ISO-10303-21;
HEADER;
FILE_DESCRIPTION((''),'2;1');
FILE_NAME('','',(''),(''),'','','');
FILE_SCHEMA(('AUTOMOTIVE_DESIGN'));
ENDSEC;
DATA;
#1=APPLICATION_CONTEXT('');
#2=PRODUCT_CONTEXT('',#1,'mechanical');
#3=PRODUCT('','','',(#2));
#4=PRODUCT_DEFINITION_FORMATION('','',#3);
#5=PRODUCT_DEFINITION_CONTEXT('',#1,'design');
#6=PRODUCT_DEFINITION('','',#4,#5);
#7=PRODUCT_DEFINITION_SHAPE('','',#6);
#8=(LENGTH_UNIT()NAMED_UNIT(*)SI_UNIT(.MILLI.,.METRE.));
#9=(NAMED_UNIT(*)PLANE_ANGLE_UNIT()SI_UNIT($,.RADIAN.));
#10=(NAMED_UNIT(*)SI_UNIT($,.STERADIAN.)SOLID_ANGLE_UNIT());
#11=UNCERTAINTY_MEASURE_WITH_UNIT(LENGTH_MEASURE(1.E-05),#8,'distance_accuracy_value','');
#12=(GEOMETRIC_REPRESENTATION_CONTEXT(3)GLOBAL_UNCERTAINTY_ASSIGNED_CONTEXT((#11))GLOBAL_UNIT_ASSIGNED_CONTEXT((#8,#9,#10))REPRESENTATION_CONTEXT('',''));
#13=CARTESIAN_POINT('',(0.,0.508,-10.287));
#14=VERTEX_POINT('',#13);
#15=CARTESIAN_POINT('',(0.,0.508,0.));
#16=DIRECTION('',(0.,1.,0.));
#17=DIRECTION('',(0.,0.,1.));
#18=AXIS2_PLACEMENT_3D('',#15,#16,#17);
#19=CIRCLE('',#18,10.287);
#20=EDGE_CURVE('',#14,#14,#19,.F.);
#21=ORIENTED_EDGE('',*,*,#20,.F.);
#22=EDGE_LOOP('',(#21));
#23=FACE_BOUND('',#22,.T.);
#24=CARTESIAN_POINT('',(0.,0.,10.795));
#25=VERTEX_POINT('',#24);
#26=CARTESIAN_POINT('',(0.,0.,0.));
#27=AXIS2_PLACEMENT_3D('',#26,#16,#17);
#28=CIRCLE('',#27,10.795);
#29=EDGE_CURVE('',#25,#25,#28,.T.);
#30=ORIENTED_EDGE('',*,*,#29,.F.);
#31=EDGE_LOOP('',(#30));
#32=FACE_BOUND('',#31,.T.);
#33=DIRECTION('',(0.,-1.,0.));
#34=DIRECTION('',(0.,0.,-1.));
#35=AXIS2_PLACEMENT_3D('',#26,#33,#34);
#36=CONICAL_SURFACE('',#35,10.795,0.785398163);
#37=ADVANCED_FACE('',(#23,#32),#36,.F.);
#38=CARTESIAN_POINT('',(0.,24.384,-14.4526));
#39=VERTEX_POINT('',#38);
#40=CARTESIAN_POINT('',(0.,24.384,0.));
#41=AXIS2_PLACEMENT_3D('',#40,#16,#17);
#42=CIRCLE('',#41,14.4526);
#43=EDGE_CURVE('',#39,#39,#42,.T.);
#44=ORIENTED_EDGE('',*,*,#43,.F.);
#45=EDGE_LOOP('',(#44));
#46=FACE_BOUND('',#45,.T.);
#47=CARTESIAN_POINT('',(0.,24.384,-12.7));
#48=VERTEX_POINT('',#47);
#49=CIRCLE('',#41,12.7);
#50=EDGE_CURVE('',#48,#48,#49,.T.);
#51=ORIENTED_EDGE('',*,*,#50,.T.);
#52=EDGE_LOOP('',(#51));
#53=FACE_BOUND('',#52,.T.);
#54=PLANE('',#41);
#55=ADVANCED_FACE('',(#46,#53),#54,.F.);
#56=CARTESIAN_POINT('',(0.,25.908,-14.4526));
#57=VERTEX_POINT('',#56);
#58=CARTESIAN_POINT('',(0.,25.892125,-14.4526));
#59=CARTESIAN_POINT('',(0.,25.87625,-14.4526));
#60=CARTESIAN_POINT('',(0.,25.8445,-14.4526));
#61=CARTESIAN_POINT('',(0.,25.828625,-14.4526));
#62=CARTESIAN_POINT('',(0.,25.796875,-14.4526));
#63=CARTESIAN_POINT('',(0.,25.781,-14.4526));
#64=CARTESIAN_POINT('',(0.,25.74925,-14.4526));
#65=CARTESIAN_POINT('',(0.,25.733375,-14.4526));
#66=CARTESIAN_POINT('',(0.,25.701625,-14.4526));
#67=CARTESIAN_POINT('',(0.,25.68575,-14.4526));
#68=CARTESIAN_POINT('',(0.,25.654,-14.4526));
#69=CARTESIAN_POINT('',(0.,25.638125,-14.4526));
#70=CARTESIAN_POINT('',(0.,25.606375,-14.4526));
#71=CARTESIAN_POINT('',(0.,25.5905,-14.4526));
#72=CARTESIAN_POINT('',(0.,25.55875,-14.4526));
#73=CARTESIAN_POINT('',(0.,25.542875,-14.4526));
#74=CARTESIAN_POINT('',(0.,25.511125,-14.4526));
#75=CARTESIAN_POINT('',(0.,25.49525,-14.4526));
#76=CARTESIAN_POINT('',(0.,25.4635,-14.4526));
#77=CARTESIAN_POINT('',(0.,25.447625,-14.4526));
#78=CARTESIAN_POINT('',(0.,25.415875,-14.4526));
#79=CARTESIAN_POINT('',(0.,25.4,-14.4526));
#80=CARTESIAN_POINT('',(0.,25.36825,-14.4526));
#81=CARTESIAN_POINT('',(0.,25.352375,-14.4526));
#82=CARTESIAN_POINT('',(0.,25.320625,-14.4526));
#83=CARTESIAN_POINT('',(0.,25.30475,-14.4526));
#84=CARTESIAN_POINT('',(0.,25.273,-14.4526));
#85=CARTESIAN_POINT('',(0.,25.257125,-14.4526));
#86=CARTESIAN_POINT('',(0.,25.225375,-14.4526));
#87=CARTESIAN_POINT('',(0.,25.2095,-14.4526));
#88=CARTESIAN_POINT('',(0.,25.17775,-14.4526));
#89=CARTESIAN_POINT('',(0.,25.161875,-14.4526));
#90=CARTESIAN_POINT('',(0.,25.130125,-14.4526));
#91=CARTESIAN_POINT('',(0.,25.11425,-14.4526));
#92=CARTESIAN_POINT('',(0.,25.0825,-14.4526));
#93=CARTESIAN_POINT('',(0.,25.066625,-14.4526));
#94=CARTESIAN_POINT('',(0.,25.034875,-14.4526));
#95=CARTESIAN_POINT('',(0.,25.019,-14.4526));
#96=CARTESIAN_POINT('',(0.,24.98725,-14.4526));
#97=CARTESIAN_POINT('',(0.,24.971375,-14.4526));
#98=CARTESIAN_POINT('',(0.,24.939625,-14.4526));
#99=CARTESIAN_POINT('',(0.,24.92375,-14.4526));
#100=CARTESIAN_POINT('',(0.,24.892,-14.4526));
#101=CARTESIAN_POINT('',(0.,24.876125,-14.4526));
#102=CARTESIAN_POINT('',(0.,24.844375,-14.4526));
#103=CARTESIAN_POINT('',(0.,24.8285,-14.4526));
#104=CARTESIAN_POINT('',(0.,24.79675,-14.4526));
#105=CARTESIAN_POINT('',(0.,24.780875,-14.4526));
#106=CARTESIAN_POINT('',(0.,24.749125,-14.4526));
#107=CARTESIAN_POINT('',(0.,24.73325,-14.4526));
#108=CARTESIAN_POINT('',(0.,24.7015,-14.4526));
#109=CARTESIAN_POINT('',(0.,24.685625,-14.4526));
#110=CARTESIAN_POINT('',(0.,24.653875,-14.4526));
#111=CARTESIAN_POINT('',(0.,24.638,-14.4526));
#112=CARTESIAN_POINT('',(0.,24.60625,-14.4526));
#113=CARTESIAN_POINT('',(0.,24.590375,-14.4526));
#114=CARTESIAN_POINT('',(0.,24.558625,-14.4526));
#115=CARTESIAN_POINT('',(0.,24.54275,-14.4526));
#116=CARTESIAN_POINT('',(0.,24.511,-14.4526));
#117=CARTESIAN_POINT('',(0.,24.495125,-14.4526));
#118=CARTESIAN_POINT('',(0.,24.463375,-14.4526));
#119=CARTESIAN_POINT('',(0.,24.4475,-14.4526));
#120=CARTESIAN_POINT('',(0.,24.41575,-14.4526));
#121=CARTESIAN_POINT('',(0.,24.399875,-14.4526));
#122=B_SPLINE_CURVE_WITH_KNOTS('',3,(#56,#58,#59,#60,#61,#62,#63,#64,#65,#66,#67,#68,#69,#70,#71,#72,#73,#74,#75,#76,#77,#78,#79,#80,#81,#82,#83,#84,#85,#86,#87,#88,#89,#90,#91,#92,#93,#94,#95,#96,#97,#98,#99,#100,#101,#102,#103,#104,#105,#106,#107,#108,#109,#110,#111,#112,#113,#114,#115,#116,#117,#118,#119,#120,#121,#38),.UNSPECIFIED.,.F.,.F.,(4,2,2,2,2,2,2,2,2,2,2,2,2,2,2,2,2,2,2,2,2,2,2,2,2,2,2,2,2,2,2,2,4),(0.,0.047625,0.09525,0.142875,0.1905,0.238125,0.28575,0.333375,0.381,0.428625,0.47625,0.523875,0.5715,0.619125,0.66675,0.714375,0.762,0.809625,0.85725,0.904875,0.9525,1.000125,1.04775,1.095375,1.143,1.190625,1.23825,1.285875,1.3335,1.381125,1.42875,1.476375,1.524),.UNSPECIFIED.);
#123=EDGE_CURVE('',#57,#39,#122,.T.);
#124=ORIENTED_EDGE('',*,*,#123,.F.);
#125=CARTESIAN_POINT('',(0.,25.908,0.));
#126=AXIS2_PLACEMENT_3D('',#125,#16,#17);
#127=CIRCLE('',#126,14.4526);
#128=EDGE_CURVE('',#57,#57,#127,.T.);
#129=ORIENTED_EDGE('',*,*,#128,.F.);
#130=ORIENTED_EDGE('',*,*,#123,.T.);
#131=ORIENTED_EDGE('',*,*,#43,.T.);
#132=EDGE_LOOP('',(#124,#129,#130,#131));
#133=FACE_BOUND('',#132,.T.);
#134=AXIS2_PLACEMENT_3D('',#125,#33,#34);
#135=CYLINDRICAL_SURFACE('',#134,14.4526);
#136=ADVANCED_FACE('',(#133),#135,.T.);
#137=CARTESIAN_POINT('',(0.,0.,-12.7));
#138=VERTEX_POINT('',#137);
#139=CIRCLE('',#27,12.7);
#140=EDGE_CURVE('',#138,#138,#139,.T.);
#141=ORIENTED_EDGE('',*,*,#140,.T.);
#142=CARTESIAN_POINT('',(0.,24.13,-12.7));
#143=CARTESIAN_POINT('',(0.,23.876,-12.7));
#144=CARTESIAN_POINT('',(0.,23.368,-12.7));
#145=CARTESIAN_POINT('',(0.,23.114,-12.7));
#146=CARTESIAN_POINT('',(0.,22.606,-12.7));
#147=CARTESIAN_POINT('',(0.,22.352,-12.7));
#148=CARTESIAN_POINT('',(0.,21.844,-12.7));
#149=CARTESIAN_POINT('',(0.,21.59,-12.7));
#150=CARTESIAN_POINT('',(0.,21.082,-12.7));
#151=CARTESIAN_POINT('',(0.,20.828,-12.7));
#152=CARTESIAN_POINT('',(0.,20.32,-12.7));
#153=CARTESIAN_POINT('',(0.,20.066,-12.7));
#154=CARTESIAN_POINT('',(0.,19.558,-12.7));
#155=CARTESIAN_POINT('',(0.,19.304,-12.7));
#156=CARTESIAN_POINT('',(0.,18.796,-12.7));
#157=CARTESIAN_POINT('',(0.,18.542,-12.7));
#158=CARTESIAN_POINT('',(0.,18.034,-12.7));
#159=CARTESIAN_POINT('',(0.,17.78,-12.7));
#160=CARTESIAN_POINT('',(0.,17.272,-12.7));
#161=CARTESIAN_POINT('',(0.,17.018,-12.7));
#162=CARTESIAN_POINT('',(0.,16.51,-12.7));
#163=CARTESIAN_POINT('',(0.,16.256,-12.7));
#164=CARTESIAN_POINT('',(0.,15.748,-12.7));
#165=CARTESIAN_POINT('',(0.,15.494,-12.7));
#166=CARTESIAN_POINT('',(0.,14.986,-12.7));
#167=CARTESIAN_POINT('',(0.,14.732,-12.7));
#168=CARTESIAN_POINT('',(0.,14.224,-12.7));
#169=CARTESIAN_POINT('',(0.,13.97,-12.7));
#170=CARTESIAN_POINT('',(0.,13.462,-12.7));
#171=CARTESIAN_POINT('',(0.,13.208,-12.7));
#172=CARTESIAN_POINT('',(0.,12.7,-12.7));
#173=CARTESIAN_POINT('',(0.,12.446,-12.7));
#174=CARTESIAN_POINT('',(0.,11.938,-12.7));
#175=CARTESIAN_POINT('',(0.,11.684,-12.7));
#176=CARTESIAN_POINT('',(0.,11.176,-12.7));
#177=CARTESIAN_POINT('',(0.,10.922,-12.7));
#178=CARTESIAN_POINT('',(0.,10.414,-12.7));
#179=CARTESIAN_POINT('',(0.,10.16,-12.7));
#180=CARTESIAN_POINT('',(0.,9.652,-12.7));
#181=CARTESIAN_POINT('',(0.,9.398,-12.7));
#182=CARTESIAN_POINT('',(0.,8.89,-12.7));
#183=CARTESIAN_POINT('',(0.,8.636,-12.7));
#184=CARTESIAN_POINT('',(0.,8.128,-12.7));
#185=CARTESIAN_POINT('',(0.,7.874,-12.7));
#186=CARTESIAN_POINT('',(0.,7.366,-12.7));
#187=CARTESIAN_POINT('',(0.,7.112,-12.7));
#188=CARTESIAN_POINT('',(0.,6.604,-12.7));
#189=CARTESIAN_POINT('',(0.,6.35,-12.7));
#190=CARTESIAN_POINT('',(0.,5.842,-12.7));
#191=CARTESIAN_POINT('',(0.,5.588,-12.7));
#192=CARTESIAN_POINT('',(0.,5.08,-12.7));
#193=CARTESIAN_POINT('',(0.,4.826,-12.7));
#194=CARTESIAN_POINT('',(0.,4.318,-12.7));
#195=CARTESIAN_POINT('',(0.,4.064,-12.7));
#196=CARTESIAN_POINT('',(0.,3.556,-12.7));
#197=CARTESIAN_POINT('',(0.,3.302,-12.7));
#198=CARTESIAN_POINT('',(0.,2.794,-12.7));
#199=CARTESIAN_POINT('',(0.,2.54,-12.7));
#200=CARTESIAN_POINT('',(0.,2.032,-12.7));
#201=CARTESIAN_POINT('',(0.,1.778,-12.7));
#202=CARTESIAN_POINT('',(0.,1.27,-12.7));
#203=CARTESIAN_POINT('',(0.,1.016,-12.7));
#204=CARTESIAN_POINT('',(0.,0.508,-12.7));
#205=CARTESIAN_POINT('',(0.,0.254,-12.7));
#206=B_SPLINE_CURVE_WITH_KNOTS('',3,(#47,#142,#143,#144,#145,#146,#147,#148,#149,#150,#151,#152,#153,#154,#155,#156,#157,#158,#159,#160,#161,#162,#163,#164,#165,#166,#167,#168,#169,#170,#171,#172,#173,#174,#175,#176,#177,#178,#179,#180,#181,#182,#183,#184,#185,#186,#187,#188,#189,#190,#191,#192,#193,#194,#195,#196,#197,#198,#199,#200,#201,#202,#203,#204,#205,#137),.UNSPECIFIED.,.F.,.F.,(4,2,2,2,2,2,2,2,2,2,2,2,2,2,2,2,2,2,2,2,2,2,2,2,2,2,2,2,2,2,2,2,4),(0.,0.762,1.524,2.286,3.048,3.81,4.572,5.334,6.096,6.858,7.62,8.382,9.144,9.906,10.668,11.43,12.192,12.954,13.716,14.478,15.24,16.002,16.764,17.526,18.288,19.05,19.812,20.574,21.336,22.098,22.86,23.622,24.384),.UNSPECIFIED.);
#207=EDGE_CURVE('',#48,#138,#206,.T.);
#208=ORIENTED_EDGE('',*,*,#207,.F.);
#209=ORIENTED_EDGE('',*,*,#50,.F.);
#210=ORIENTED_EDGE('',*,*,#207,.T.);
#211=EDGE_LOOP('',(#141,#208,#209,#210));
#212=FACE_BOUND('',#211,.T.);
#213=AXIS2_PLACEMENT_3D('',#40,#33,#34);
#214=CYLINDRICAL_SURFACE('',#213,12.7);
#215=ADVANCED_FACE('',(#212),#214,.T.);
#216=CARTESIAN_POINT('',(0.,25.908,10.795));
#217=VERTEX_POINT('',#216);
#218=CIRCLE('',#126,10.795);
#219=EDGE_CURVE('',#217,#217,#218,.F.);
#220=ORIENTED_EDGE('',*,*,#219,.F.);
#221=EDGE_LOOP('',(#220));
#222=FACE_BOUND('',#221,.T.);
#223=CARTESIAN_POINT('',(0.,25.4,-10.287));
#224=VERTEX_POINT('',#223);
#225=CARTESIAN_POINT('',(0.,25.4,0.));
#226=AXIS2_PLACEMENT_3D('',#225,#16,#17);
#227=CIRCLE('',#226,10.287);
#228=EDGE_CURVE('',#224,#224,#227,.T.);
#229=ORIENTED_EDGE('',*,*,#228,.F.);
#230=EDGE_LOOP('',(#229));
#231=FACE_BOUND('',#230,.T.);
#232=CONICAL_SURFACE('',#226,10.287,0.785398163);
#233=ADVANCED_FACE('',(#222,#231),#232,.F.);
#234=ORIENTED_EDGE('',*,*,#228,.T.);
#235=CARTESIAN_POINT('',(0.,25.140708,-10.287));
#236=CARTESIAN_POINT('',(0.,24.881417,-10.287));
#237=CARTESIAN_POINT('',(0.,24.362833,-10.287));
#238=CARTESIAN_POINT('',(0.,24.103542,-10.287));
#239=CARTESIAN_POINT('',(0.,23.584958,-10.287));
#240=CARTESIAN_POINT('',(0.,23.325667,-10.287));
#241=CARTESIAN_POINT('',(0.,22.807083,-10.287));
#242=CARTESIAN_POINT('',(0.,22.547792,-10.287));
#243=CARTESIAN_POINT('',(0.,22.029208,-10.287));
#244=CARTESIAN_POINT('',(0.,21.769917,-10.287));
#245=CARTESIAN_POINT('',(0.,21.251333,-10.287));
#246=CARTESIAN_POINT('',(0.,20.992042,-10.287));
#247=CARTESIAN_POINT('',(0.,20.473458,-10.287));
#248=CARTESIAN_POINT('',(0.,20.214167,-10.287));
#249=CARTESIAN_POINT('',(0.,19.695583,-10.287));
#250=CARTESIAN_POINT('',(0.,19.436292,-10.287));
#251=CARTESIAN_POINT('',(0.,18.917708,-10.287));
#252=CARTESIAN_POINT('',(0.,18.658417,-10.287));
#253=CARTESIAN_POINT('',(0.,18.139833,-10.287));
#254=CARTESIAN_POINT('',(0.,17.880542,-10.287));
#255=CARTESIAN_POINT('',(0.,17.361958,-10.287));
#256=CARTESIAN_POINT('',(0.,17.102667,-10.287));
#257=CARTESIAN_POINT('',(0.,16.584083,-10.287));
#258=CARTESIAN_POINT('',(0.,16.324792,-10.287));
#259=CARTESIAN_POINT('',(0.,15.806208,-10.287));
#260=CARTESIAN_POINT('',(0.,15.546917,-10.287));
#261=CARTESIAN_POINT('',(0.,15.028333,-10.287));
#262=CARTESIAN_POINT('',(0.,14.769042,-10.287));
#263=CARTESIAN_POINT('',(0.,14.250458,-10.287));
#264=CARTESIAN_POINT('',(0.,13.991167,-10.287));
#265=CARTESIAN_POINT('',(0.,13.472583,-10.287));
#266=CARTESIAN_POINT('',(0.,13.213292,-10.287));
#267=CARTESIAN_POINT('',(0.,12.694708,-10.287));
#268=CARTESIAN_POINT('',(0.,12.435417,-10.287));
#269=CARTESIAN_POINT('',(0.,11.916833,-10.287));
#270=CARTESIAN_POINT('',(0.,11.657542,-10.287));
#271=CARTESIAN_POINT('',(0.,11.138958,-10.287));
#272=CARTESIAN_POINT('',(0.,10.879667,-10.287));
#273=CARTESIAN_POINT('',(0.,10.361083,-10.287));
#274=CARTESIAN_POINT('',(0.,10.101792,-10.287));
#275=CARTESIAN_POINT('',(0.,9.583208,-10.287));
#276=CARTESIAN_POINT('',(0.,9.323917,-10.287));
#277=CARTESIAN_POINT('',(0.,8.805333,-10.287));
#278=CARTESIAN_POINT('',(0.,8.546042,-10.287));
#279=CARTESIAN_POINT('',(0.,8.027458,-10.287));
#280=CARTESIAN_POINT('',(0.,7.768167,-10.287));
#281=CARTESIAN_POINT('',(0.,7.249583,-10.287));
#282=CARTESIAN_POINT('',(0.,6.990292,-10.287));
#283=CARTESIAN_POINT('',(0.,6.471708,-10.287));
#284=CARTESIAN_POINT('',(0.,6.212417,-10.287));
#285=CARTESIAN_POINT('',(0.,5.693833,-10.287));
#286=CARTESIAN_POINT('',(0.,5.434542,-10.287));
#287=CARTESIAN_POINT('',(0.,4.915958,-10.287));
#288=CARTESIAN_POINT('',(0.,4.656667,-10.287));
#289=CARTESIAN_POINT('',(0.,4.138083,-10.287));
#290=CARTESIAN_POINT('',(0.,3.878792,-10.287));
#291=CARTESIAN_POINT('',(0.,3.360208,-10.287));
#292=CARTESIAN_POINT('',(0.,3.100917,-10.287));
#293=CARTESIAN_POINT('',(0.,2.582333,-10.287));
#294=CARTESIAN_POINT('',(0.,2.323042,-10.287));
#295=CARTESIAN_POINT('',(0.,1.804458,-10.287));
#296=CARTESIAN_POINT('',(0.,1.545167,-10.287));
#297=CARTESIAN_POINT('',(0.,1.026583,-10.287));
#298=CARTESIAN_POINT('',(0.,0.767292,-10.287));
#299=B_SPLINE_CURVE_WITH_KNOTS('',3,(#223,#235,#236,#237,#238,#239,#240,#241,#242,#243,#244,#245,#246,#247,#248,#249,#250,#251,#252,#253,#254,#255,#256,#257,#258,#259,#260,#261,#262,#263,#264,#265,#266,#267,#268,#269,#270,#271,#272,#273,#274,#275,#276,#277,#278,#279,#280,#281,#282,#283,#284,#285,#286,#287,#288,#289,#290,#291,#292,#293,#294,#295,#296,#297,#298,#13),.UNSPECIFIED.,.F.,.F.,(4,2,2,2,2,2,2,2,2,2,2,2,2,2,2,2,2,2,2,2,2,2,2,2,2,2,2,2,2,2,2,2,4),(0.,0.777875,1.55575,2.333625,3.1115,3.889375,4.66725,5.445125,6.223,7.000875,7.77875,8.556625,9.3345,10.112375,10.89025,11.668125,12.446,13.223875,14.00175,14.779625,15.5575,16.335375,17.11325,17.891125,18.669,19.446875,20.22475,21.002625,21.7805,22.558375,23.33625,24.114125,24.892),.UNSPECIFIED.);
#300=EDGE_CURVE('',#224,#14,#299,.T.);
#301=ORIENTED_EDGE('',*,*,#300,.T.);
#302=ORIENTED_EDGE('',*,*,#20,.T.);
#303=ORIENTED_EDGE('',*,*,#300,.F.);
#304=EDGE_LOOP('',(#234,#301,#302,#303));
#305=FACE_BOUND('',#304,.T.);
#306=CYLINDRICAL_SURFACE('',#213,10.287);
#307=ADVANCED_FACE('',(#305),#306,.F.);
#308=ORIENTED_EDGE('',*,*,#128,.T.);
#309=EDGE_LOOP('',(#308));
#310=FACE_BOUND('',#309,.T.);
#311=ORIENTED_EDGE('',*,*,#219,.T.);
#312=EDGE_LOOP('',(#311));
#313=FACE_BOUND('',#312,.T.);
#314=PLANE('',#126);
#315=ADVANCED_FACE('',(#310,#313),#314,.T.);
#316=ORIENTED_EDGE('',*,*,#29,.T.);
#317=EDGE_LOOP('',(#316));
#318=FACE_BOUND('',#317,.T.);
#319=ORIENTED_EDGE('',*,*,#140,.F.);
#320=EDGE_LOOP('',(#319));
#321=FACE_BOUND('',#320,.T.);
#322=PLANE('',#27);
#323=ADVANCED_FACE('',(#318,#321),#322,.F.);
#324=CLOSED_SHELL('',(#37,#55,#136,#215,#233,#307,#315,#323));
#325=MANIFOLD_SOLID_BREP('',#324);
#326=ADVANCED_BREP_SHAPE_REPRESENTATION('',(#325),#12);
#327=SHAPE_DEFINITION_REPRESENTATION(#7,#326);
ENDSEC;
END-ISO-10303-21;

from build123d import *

# Parameters (mm, degrees)
SKETCH1_R           = 12.7
SKETCH1_R_2         = 10.287
BOSS_EXTRUDE1_DEPTH = 24.384
SKETCH2_R           = 14.4526
SKETCH2_R_2         = 10.287
BOSS_EXTRUDE2_DEPTH = 1.524
CHAMFER1_SIZE       = 0.508


with BuildPart() as part:
    # Sketch1 → Boss-Extrude1 (new body)
    with BuildSketch(Plane(origin=(0, 0, 0), x_dir=(1, 0, 0), z_dir=(0, 1, 0))):
        with Locations(Location((0, 0, 0), (0, 0, 90))):
            Circle(SKETCH1_R)
        with Locations(Location((0, 0, 0), (0, 0, 90))):
            Circle(SKETCH1_R_2, mode=Mode.SUBTRACT)
    extrude(amount=BOSS_EXTRUDE1_DEPTH)

    # Sketch2 → Boss-Extrude2 (add)
    with BuildSketch(Plane(origin=(0, 24.384, 0), x_dir=(1, 0, 0), z_dir=(0, 1, 0))):
        with Locations(Location((0, 0, 0), (0, 0, 90))):
            Circle(SKETCH2_R)
        with Locations(Location((0, 0, 0), (0, 0, 90))):
            Circle(SKETCH2_R_2, mode=Mode.SUBTRACT)
    extrude(amount=BOSS_EXTRUDE2_DEPTH)

    # Chamfer1
    chamfer1_edges = [part.edges().sort_by_distance(p)[0] for p in [
        (0, 25.908, 10.287),
        (0, 0, 10.287),
    ]]
    chamfer(chamfer1_edges, length=CHAMFER1_SIZE)


solid = part.part
